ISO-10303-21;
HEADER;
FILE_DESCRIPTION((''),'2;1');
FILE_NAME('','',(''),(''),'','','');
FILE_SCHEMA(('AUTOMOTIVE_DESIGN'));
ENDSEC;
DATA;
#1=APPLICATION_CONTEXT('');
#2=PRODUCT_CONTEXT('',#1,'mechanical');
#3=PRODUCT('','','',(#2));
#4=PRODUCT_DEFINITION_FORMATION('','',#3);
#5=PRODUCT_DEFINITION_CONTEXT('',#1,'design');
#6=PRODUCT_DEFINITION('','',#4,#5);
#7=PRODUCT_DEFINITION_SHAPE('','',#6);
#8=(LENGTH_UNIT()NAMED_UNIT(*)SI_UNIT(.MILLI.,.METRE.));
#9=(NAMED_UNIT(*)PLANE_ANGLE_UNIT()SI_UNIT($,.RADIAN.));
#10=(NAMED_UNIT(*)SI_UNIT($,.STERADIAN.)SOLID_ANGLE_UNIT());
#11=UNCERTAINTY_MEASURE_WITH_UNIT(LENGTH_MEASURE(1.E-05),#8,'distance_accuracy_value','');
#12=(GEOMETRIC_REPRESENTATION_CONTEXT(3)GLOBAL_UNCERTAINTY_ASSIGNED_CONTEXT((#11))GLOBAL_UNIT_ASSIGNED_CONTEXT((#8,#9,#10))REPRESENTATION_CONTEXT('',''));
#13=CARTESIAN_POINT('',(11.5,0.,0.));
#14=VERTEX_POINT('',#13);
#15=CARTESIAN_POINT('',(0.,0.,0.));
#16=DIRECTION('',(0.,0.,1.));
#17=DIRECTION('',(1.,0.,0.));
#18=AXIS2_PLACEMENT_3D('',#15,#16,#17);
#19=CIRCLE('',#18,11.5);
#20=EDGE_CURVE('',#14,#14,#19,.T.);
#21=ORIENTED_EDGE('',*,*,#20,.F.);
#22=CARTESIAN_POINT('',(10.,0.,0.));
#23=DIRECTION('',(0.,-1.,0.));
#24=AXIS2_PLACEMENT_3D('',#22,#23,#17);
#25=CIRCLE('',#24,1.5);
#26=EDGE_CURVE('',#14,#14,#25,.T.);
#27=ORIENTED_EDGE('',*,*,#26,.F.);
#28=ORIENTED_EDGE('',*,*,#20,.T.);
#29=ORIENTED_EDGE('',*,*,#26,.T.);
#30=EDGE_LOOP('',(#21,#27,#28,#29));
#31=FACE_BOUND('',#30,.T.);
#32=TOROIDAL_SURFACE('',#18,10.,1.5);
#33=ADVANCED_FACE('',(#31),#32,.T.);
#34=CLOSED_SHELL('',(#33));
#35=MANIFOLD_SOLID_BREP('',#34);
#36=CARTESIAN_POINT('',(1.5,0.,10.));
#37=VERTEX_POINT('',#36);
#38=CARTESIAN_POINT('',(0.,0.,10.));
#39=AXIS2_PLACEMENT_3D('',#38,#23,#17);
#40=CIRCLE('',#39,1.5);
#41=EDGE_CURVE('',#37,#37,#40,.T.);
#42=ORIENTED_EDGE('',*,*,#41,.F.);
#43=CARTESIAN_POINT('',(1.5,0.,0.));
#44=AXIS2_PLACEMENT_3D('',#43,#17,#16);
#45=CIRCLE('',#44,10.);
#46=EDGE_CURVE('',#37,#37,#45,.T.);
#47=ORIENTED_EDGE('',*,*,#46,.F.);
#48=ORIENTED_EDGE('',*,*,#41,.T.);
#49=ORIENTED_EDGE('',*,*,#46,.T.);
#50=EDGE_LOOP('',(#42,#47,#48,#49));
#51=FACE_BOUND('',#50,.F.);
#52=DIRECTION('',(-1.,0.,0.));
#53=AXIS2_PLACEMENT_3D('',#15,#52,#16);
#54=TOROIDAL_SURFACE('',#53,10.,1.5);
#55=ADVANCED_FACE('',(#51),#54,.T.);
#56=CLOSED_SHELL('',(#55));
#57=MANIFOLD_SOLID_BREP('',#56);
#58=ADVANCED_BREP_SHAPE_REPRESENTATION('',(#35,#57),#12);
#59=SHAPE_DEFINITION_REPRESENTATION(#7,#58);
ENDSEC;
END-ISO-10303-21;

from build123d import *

# Parameters (mm, degrees)
F1_R = 1.5


with BuildPart() as f2:
    # F1 (on Front) → F2 (revolve)
    with BuildSketch(Plane.XZ):
        with Locations((0, 10)):
            Circle(F1_R)
    revolve(axis=Axis((5, 0, 0), (1, 0, 0)))


with BuildPart() as f3:
    # F1 (on Front) → F3 (revolve)
    with BuildSketch(Plane.XZ):
        with Locations((10, 0)):
            Circle(F1_R)
    revolve(axis=Axis((0, 0, 5), (0, 0, 1)))


solid = Compound([f2.part, f3.part])
